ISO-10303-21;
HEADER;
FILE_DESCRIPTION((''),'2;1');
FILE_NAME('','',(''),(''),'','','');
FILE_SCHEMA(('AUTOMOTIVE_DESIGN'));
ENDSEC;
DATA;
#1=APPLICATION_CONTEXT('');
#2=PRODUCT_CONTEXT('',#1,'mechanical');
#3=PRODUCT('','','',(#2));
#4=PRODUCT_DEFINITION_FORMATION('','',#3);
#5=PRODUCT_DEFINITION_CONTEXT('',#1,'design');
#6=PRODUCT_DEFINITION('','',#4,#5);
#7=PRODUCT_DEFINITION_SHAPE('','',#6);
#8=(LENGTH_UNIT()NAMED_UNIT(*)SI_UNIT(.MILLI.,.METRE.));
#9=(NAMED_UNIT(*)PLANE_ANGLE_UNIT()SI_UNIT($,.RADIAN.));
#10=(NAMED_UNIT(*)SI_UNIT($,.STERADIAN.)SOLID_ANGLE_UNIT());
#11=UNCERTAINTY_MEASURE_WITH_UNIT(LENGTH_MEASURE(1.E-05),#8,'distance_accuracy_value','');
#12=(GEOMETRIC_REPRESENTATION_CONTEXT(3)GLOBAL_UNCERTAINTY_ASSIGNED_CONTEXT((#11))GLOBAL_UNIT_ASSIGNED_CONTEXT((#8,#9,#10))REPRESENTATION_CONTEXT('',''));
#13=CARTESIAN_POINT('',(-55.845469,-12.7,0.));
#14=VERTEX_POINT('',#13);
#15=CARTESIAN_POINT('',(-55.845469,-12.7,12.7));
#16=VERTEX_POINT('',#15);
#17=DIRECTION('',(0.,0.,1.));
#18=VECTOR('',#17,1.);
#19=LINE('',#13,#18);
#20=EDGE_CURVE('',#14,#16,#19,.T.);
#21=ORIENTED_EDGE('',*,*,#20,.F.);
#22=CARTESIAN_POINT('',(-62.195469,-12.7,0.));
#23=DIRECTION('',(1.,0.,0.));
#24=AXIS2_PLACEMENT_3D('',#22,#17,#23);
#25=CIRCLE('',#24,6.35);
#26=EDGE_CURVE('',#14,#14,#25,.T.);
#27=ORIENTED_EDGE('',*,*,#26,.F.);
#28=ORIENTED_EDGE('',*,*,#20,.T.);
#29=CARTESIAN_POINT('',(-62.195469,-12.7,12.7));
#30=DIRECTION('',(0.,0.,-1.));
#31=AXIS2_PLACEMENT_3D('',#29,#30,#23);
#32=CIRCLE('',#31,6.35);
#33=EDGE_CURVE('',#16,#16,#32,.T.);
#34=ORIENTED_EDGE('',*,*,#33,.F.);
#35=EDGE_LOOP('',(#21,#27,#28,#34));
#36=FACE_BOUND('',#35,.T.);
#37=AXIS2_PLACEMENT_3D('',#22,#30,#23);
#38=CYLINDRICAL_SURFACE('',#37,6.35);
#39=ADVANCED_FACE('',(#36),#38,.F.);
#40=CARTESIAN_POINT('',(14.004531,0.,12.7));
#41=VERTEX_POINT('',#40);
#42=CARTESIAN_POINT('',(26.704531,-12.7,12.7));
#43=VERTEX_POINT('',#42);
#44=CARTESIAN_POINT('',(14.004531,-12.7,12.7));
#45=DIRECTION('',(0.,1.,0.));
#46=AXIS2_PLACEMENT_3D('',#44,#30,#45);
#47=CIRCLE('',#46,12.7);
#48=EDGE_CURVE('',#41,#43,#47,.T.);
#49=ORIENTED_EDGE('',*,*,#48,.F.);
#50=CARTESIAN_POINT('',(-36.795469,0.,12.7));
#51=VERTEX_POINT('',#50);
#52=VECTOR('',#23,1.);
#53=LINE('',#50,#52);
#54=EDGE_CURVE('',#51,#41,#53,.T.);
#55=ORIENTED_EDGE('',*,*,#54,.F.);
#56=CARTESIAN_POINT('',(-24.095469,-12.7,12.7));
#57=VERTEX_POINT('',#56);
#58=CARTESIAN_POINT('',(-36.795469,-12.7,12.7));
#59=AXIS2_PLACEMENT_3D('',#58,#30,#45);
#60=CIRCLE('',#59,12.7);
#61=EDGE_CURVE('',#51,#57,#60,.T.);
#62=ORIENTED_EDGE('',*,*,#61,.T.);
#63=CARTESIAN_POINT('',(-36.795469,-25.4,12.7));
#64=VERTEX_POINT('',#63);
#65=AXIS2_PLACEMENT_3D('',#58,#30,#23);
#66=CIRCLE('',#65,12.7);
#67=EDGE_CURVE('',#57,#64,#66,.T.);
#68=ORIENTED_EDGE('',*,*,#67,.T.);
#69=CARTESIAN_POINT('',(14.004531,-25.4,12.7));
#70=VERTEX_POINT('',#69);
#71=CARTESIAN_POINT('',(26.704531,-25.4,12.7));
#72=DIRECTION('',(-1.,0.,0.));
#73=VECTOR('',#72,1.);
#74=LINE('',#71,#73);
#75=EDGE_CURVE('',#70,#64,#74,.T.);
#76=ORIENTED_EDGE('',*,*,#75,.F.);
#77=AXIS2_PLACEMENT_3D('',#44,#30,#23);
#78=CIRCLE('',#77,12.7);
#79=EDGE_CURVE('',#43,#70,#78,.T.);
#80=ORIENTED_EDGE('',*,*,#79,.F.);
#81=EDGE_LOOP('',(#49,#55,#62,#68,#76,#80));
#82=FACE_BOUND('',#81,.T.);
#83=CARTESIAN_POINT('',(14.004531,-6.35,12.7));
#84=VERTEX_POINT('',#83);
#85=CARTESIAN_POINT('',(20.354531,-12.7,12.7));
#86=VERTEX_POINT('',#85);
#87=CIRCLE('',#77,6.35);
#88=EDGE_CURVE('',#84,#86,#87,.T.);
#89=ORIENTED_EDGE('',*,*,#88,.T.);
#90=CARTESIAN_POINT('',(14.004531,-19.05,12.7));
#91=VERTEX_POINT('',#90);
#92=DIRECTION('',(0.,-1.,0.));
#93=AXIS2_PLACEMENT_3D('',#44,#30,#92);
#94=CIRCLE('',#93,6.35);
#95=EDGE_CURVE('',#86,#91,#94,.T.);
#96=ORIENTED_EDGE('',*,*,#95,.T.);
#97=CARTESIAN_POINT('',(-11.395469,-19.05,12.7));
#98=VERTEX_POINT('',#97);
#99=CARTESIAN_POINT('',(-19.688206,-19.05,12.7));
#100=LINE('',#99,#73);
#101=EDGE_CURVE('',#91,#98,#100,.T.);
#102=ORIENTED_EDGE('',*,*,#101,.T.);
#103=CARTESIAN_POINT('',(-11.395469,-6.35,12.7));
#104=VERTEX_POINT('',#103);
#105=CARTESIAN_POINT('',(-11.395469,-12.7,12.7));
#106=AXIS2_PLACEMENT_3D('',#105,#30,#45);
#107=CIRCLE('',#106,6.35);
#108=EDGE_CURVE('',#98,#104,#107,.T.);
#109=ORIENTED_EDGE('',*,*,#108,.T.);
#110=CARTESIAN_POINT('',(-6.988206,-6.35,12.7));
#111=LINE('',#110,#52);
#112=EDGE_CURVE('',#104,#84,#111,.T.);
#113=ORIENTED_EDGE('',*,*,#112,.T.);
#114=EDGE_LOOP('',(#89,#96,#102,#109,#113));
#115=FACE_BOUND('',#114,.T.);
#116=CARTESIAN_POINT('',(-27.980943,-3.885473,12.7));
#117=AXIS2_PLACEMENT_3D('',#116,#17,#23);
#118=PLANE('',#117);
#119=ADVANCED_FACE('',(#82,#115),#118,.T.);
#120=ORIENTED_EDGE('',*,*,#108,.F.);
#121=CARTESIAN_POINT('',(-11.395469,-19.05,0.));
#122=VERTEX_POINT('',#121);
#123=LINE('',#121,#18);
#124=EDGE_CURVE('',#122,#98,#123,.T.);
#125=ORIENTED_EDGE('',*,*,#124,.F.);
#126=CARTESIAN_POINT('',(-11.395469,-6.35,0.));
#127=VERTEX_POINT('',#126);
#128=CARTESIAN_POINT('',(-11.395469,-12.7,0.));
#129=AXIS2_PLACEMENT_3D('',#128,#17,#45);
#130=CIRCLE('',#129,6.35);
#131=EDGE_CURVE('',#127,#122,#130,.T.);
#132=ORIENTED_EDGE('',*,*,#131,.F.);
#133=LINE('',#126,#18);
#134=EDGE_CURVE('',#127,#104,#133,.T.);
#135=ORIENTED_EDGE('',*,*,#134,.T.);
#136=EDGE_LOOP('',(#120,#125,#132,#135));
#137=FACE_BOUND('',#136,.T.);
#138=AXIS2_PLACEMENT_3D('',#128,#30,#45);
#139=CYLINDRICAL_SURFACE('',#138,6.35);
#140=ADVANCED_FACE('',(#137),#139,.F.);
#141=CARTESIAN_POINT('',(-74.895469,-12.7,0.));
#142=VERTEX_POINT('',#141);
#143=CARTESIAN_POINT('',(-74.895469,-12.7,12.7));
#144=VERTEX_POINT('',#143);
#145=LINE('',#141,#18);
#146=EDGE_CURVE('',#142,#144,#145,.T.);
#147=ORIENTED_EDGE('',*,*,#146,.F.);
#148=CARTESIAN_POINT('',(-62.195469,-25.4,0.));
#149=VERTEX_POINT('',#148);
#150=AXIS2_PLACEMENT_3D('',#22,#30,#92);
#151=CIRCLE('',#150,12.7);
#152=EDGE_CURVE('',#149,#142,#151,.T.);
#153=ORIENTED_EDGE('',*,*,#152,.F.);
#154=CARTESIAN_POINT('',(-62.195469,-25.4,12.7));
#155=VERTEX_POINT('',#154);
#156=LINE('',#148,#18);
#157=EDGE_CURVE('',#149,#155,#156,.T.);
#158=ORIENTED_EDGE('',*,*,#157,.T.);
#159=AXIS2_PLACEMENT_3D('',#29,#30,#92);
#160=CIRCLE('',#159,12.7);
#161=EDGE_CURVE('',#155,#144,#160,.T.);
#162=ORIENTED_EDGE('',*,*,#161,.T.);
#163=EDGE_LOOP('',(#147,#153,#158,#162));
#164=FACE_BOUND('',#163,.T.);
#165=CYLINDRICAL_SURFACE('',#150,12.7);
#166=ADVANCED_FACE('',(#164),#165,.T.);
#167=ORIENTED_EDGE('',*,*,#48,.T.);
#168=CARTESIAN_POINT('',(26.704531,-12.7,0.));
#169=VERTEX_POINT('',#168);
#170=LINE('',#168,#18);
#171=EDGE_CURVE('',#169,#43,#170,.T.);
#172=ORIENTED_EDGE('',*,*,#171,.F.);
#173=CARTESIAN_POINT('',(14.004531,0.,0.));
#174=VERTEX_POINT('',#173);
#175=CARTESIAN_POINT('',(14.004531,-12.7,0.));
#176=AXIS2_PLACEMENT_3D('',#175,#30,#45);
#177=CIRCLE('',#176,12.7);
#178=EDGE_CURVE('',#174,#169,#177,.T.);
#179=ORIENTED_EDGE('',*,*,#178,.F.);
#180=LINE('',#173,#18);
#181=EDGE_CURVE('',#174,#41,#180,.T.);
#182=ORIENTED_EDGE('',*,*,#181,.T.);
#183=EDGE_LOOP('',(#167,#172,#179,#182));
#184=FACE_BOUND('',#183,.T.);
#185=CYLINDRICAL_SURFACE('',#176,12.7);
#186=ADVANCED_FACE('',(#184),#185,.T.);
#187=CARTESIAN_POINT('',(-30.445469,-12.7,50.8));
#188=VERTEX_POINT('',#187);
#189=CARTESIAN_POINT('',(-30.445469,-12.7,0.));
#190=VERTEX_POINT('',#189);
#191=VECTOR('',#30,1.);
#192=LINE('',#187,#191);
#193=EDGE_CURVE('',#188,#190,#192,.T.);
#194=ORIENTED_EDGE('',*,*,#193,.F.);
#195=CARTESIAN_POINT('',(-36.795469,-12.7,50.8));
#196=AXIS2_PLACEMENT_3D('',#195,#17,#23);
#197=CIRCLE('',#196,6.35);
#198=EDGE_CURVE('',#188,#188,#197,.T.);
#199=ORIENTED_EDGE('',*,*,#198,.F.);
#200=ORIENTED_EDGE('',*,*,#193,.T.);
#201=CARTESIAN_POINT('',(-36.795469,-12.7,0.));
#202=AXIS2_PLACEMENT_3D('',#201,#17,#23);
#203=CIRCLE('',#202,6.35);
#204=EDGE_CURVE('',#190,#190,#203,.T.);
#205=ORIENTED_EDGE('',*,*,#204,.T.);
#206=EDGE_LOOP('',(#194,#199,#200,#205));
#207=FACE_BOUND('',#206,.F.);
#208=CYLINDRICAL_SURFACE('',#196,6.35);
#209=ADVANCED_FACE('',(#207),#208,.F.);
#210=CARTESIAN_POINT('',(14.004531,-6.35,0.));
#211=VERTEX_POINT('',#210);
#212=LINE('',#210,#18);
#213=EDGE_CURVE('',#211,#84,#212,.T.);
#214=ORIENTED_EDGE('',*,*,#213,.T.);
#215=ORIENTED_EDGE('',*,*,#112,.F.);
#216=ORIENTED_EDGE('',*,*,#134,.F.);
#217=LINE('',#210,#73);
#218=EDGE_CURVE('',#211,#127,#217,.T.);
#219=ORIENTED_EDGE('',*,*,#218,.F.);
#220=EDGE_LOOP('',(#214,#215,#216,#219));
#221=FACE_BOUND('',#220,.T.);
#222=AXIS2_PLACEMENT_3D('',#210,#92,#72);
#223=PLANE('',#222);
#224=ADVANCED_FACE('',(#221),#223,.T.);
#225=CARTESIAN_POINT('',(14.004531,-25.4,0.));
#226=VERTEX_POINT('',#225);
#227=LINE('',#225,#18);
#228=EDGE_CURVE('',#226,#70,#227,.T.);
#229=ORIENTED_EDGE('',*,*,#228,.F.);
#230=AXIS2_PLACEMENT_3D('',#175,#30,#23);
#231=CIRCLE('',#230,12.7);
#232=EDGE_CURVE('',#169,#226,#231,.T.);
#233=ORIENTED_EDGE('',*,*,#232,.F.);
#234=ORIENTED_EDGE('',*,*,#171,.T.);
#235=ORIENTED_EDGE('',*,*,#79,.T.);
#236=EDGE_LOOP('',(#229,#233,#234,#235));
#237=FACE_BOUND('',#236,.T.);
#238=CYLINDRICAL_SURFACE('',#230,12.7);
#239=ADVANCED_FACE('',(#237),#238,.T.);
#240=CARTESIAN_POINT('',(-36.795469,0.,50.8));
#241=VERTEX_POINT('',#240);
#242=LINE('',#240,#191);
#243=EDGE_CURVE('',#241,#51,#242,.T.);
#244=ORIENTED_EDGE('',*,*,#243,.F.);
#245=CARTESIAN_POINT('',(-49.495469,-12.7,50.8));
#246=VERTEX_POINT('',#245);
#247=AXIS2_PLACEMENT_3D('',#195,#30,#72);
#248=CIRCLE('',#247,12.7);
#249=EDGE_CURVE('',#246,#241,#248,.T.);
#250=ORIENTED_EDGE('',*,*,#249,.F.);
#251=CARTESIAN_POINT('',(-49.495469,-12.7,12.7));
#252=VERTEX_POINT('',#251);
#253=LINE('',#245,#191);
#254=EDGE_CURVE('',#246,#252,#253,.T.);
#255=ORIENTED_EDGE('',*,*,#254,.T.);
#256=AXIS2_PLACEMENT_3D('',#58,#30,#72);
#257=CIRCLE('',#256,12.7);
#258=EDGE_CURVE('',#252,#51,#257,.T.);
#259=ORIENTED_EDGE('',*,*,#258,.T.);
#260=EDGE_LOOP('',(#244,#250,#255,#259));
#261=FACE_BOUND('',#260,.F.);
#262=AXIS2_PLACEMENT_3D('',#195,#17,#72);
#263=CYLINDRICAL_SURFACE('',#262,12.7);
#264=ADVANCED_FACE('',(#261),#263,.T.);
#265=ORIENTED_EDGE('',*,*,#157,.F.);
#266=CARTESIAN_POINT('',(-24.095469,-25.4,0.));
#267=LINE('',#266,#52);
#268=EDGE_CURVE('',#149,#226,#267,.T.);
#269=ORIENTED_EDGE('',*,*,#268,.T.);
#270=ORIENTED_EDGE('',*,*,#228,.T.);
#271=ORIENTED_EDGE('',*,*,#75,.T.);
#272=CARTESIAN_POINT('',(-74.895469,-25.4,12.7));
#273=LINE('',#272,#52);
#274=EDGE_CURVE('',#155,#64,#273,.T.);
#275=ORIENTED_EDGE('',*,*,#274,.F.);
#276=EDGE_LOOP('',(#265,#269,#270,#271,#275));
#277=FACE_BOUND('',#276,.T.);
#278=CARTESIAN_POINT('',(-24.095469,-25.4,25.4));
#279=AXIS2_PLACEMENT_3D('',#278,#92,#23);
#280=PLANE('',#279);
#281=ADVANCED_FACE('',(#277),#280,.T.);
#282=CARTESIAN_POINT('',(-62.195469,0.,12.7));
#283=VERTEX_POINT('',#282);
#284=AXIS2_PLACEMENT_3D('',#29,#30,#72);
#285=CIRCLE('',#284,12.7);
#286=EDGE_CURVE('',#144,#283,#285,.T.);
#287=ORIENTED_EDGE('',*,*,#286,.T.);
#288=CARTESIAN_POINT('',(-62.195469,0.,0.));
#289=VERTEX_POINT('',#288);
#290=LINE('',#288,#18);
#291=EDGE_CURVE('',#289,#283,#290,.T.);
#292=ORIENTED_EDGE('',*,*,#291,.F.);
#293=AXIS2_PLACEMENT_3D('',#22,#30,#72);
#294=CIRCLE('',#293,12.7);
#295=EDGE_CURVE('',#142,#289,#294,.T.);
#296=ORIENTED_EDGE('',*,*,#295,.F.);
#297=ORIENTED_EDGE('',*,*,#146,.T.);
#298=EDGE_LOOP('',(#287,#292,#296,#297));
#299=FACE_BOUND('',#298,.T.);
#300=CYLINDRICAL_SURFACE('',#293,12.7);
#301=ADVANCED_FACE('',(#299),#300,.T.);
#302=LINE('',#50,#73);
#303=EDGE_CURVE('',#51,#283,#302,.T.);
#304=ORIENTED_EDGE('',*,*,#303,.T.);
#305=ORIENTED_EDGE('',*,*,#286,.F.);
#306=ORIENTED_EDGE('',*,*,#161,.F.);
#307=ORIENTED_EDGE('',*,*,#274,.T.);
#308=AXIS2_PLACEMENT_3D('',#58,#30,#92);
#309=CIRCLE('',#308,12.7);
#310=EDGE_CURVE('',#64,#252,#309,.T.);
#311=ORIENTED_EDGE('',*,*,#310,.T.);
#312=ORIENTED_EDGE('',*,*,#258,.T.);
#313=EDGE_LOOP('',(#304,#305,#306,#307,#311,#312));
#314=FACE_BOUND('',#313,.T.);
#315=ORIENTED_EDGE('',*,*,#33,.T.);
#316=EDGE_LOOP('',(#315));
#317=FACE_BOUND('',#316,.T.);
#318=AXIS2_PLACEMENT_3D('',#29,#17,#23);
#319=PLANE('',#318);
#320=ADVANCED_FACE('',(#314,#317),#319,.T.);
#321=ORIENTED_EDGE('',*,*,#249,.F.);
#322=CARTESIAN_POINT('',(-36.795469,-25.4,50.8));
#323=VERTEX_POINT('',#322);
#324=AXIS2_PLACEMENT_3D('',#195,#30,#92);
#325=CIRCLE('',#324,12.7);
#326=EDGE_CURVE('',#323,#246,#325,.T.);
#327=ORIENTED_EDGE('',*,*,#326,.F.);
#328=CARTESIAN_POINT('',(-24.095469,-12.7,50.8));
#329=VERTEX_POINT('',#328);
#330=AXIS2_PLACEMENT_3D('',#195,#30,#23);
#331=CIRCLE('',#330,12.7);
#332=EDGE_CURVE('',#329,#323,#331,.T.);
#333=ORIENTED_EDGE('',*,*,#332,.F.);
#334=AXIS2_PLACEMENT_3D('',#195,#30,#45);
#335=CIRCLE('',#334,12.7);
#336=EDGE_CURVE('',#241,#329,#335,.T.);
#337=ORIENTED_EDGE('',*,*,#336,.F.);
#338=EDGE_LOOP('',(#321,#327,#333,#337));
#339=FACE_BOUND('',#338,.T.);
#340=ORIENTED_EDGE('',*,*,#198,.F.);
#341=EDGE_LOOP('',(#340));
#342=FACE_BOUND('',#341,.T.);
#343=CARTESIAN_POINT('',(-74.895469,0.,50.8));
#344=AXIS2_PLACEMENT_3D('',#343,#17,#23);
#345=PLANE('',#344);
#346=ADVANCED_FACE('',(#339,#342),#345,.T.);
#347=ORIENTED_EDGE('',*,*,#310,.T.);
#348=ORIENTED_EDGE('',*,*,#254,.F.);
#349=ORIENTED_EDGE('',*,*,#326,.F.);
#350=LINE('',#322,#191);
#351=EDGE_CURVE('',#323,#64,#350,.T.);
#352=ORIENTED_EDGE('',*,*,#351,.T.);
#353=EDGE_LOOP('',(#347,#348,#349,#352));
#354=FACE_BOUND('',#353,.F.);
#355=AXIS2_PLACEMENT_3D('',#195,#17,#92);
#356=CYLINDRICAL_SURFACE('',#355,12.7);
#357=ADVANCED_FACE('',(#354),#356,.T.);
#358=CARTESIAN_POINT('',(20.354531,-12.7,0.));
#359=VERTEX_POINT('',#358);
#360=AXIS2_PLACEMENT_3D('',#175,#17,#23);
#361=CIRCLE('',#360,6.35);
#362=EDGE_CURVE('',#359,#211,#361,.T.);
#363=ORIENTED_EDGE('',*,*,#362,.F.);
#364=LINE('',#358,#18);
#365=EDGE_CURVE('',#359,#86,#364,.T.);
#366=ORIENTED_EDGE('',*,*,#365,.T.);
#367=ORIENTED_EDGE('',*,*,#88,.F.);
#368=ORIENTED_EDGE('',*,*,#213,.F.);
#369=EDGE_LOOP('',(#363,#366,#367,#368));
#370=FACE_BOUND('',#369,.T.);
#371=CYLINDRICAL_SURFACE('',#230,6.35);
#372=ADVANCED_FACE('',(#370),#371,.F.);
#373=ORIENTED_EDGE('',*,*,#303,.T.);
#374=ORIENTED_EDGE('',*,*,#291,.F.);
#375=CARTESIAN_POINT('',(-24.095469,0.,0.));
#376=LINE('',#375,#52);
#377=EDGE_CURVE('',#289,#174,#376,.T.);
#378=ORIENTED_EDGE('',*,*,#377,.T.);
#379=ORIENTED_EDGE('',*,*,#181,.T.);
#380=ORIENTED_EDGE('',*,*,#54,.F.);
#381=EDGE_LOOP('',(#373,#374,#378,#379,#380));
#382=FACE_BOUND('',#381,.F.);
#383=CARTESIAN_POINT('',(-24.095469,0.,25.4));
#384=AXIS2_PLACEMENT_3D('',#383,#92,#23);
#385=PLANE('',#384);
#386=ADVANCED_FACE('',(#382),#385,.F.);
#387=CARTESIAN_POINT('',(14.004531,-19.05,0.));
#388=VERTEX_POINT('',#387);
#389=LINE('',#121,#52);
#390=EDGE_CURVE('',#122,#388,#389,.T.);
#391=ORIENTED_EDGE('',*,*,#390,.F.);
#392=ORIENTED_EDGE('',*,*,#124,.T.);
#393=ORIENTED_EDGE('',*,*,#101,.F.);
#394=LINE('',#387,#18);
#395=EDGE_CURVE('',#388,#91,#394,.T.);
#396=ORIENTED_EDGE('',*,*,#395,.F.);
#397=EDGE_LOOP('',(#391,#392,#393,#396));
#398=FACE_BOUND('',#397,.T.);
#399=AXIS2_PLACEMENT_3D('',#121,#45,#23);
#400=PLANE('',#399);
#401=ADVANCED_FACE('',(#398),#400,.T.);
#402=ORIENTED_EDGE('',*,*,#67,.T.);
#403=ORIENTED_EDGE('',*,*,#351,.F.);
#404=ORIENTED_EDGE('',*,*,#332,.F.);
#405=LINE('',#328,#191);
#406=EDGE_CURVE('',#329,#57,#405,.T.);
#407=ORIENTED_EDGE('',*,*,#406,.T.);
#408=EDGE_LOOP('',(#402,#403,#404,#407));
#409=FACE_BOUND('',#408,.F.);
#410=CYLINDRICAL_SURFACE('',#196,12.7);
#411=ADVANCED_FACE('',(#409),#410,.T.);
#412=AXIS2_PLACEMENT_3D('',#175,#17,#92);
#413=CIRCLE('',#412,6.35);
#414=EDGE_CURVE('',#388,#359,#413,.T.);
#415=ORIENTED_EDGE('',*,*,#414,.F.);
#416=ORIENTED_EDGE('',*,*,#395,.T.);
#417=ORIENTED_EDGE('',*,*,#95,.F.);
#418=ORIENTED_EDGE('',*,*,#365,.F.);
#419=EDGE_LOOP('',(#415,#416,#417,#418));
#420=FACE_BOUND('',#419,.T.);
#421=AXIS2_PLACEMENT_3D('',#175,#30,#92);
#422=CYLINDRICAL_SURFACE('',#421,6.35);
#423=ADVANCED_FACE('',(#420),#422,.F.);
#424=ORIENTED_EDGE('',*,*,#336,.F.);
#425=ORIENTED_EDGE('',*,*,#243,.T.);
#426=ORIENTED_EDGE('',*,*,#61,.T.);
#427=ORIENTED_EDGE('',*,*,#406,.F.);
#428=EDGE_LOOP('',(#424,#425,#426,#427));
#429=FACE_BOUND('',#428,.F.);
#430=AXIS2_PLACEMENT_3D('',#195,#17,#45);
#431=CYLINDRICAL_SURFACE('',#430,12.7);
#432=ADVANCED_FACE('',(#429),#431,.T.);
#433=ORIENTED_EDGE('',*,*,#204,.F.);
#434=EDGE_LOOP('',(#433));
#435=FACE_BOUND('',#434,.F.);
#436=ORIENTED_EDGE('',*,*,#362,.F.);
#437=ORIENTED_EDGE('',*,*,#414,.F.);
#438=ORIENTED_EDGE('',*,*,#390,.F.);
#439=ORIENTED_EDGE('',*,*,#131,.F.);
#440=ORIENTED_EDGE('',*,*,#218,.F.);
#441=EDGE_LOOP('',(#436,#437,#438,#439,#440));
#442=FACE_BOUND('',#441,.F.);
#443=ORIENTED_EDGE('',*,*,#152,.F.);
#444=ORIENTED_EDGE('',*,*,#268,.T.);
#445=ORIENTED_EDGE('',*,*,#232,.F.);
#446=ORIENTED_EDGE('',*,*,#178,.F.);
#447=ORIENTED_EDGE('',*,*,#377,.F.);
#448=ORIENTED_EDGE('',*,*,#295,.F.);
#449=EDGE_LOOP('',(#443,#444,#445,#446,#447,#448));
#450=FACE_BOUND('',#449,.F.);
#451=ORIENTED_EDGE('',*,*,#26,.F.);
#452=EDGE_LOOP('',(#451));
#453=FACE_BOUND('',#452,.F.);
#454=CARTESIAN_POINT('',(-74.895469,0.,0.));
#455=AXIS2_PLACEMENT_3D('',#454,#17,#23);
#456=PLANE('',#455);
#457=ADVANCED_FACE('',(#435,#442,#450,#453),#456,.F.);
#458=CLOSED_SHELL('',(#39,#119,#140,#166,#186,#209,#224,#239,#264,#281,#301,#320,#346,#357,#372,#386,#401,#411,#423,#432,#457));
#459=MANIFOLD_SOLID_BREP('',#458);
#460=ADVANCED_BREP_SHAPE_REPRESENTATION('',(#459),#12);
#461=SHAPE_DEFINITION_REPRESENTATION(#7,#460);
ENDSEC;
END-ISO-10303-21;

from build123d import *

# Parameters (mm, degrees)
F0_W     = 101.6
F0_H     = 50.8
F1_DEPTH = 25.4
F2_W     = 50.8
F2_H     = 38.1
F3_DEPTH = 25.4
F5_DEPTH = 38.1
F6_R     = 6.35
F7_DEPTH = 50.8
F8_R     = 6.35
F9_DEPTH = 25.4


with BuildPart() as f1:
    # F0 (on Front) → F1 (new body)
    with BuildSketch(Plane.XZ):
        with Locations((-24.0954693718, 25.4)):
            Rectangle(F0_W, F0_H)
    extrude(amount=F1_DEPTH)

    # F2 (on face) → F3 (cut)
    with BuildSketch(Plane.XZ.offset(25.4)):
        with Locations((1.3045306282, 31.75)):
            Rectangle(F2_W, F2_H)
    extrude(amount=-F3_DEPTH, mode=Mode.SUBTRACT)

    # F4 (on face) → F5 (cut)
    with BuildSketch(Plane.XY.offset(50.8)):
        Polygon((-49.4954693718, -25.4), (-49.4954693718, -12.7), (-49.4954693718, 0), (-74.8954693718, 0), (-74.8954693718, -25.4), align=None)
        with BuildLine():
            Line((-24.0954693718, -25.4), (-24.0954693718, -12.7))
            ThreePointArc((-24.0954693718, -12.7), (-27.8152132507, -21.6802561211), (-36.7954693718, -25.4))
            Line((-36.7954693718, -25.4), (-24.0954693718, -25.4))
        make_face()
        with BuildLine():
            ThreePointArc((-36.7954693718, 0), (-27.8152132507, -3.7197438789), (-24.0954693718, -12.7))
            Line((-24.0954693718, -12.7), (-24.0954693718, 0))
            Line((-24.0954693718, 0), (-36.7954693718, 0))
        make_face()
        with BuildLine():
            Line((-49.4954693718, -25.4), (-36.7954693718, -25.4))
            ThreePointArc((-36.7954693718, -25.4), (-45.7757254928, -21.6802561211), (-49.4954693718, -12.7))
            Line((-49.4954693718, -12.7), (-49.4954693718, -25.4))
        make_face()
        with BuildLine():
            ThreePointArc((-49.4954693718, -12.7), (-45.7757254928, -3.7197438789), (-36.7954693718, 0))
            Line((-36.7954693718, 0), (-49.4954693718, 0))
            Line((-49.4954693718, 0), (-49.4954693718, -12.7))
        make_face()
    extrude(amount=-F5_DEPTH, mode=Mode.SUBTRACT)

    # F6 (on face) → F7 (cut)
    with BuildSketch(Plane.XY.offset(50.8)):
        with Locations((-36.7954693718, -12.7)):
            Circle(F6_R)
    extrude(amount=-F7_DEPTH, mode=Mode.SUBTRACT)

    # F8 (on Top) → F9 (cut)
    with BuildSketch(Plane.XY):
        with Locations((-62.1954693718, -12.7)):
            Circle(F8_R)
        with BuildLine():
            ThreePointArc((-11.3954693718, -19.05), (-6.9053413112, -17.1901280605), (-5.0454693718, -12.7))
            ThreePointArc((-5.0454693718, -12.7), (-6.9053413112, -8.2098719395), (-11.3954693718, -6.35))
            ThreePointArc((-11.3954693718, -6.35), (-17.7454693718, -12.7), (-11.3954693718, -19.05))
        make_face()
        with BuildLine():
            ThreePointArc((-11.3954693718, -6.35), (-6.9053413112, -8.2098719395), (-5.0454693718, -12.7))
            ThreePointArc((-5.0454693718, -12.7), (-6.9053413112, -17.1901280605), (-11.3954693718, -19.05))
            Line((-11.3954693718, -19.05), (14.0045306282, -19.05))
            ThreePointArc((14.0045306282, -19.05), (7.6545306282, -12.7), (14.0045306282, -6.35))
            Line((14.0045306282, -6.35), (-11.3954693718, -6.35))
        make_face()
        with BuildLine():
            ThreePointArc((20.3545306282, -12.7), (18.4946586888, -8.2098719395), (14.0045306282, -6.35))
            ThreePointArc((14.0045306282, -6.35), (7.6545306282, -12.7), (14.0045306282, -19.05))
            ThreePointArc((14.0045306282, -19.05), (18.4946586888, -17.1901280605), (20.3545306282, -12.7))
        make_face()
        with BuildLine():
            Line((-74.8954693718, 0), (-74.8954693718, -12.7))
            ThreePointArc((-74.8954693718, -12.7), (-71.1757254928, -3.7197438789), (-62.1954693718, 0))
            Line((-62.1954693718, 0), (-74.8954693718, 0))
        make_face()
        with BuildLine():
            ThreePointArc((-62.1954693718, -25.4), (-71.1757254928, -21.6802561211), (-74.8954693718, -12.7))
            Line((-74.8954693718, -12.7), (-74.8954693718, -25.4))
            Line((-74.8954693718, -25.4), (-62.1954693718, -25.4))
        make_face()
        with BuildLine():
            Line((26.7045306282, -25.4), (26.7045306282, -12.7))
            ThreePointArc((26.7045306282, -12.7), (22.9847867493, -21.6802561211), (14.0045306282, -25.4))
            Line((14.0045306282, -25.4), (26.7045306282, -25.4))
        make_face()
        with BuildLine():
            ThreePointArc((14.0045306282, 0), (22.9847867493, -3.7197438789), (26.7045306282, -12.7))
            Line((26.7045306282, -12.7), (26.7045306282, 0))
            Line((26.7045306282, 0), (14.0045306282, 0))
        make_face()
    extrude(amount=F9_DEPTH, mode=Mode.SUBTRACT)


solid = f1.part
